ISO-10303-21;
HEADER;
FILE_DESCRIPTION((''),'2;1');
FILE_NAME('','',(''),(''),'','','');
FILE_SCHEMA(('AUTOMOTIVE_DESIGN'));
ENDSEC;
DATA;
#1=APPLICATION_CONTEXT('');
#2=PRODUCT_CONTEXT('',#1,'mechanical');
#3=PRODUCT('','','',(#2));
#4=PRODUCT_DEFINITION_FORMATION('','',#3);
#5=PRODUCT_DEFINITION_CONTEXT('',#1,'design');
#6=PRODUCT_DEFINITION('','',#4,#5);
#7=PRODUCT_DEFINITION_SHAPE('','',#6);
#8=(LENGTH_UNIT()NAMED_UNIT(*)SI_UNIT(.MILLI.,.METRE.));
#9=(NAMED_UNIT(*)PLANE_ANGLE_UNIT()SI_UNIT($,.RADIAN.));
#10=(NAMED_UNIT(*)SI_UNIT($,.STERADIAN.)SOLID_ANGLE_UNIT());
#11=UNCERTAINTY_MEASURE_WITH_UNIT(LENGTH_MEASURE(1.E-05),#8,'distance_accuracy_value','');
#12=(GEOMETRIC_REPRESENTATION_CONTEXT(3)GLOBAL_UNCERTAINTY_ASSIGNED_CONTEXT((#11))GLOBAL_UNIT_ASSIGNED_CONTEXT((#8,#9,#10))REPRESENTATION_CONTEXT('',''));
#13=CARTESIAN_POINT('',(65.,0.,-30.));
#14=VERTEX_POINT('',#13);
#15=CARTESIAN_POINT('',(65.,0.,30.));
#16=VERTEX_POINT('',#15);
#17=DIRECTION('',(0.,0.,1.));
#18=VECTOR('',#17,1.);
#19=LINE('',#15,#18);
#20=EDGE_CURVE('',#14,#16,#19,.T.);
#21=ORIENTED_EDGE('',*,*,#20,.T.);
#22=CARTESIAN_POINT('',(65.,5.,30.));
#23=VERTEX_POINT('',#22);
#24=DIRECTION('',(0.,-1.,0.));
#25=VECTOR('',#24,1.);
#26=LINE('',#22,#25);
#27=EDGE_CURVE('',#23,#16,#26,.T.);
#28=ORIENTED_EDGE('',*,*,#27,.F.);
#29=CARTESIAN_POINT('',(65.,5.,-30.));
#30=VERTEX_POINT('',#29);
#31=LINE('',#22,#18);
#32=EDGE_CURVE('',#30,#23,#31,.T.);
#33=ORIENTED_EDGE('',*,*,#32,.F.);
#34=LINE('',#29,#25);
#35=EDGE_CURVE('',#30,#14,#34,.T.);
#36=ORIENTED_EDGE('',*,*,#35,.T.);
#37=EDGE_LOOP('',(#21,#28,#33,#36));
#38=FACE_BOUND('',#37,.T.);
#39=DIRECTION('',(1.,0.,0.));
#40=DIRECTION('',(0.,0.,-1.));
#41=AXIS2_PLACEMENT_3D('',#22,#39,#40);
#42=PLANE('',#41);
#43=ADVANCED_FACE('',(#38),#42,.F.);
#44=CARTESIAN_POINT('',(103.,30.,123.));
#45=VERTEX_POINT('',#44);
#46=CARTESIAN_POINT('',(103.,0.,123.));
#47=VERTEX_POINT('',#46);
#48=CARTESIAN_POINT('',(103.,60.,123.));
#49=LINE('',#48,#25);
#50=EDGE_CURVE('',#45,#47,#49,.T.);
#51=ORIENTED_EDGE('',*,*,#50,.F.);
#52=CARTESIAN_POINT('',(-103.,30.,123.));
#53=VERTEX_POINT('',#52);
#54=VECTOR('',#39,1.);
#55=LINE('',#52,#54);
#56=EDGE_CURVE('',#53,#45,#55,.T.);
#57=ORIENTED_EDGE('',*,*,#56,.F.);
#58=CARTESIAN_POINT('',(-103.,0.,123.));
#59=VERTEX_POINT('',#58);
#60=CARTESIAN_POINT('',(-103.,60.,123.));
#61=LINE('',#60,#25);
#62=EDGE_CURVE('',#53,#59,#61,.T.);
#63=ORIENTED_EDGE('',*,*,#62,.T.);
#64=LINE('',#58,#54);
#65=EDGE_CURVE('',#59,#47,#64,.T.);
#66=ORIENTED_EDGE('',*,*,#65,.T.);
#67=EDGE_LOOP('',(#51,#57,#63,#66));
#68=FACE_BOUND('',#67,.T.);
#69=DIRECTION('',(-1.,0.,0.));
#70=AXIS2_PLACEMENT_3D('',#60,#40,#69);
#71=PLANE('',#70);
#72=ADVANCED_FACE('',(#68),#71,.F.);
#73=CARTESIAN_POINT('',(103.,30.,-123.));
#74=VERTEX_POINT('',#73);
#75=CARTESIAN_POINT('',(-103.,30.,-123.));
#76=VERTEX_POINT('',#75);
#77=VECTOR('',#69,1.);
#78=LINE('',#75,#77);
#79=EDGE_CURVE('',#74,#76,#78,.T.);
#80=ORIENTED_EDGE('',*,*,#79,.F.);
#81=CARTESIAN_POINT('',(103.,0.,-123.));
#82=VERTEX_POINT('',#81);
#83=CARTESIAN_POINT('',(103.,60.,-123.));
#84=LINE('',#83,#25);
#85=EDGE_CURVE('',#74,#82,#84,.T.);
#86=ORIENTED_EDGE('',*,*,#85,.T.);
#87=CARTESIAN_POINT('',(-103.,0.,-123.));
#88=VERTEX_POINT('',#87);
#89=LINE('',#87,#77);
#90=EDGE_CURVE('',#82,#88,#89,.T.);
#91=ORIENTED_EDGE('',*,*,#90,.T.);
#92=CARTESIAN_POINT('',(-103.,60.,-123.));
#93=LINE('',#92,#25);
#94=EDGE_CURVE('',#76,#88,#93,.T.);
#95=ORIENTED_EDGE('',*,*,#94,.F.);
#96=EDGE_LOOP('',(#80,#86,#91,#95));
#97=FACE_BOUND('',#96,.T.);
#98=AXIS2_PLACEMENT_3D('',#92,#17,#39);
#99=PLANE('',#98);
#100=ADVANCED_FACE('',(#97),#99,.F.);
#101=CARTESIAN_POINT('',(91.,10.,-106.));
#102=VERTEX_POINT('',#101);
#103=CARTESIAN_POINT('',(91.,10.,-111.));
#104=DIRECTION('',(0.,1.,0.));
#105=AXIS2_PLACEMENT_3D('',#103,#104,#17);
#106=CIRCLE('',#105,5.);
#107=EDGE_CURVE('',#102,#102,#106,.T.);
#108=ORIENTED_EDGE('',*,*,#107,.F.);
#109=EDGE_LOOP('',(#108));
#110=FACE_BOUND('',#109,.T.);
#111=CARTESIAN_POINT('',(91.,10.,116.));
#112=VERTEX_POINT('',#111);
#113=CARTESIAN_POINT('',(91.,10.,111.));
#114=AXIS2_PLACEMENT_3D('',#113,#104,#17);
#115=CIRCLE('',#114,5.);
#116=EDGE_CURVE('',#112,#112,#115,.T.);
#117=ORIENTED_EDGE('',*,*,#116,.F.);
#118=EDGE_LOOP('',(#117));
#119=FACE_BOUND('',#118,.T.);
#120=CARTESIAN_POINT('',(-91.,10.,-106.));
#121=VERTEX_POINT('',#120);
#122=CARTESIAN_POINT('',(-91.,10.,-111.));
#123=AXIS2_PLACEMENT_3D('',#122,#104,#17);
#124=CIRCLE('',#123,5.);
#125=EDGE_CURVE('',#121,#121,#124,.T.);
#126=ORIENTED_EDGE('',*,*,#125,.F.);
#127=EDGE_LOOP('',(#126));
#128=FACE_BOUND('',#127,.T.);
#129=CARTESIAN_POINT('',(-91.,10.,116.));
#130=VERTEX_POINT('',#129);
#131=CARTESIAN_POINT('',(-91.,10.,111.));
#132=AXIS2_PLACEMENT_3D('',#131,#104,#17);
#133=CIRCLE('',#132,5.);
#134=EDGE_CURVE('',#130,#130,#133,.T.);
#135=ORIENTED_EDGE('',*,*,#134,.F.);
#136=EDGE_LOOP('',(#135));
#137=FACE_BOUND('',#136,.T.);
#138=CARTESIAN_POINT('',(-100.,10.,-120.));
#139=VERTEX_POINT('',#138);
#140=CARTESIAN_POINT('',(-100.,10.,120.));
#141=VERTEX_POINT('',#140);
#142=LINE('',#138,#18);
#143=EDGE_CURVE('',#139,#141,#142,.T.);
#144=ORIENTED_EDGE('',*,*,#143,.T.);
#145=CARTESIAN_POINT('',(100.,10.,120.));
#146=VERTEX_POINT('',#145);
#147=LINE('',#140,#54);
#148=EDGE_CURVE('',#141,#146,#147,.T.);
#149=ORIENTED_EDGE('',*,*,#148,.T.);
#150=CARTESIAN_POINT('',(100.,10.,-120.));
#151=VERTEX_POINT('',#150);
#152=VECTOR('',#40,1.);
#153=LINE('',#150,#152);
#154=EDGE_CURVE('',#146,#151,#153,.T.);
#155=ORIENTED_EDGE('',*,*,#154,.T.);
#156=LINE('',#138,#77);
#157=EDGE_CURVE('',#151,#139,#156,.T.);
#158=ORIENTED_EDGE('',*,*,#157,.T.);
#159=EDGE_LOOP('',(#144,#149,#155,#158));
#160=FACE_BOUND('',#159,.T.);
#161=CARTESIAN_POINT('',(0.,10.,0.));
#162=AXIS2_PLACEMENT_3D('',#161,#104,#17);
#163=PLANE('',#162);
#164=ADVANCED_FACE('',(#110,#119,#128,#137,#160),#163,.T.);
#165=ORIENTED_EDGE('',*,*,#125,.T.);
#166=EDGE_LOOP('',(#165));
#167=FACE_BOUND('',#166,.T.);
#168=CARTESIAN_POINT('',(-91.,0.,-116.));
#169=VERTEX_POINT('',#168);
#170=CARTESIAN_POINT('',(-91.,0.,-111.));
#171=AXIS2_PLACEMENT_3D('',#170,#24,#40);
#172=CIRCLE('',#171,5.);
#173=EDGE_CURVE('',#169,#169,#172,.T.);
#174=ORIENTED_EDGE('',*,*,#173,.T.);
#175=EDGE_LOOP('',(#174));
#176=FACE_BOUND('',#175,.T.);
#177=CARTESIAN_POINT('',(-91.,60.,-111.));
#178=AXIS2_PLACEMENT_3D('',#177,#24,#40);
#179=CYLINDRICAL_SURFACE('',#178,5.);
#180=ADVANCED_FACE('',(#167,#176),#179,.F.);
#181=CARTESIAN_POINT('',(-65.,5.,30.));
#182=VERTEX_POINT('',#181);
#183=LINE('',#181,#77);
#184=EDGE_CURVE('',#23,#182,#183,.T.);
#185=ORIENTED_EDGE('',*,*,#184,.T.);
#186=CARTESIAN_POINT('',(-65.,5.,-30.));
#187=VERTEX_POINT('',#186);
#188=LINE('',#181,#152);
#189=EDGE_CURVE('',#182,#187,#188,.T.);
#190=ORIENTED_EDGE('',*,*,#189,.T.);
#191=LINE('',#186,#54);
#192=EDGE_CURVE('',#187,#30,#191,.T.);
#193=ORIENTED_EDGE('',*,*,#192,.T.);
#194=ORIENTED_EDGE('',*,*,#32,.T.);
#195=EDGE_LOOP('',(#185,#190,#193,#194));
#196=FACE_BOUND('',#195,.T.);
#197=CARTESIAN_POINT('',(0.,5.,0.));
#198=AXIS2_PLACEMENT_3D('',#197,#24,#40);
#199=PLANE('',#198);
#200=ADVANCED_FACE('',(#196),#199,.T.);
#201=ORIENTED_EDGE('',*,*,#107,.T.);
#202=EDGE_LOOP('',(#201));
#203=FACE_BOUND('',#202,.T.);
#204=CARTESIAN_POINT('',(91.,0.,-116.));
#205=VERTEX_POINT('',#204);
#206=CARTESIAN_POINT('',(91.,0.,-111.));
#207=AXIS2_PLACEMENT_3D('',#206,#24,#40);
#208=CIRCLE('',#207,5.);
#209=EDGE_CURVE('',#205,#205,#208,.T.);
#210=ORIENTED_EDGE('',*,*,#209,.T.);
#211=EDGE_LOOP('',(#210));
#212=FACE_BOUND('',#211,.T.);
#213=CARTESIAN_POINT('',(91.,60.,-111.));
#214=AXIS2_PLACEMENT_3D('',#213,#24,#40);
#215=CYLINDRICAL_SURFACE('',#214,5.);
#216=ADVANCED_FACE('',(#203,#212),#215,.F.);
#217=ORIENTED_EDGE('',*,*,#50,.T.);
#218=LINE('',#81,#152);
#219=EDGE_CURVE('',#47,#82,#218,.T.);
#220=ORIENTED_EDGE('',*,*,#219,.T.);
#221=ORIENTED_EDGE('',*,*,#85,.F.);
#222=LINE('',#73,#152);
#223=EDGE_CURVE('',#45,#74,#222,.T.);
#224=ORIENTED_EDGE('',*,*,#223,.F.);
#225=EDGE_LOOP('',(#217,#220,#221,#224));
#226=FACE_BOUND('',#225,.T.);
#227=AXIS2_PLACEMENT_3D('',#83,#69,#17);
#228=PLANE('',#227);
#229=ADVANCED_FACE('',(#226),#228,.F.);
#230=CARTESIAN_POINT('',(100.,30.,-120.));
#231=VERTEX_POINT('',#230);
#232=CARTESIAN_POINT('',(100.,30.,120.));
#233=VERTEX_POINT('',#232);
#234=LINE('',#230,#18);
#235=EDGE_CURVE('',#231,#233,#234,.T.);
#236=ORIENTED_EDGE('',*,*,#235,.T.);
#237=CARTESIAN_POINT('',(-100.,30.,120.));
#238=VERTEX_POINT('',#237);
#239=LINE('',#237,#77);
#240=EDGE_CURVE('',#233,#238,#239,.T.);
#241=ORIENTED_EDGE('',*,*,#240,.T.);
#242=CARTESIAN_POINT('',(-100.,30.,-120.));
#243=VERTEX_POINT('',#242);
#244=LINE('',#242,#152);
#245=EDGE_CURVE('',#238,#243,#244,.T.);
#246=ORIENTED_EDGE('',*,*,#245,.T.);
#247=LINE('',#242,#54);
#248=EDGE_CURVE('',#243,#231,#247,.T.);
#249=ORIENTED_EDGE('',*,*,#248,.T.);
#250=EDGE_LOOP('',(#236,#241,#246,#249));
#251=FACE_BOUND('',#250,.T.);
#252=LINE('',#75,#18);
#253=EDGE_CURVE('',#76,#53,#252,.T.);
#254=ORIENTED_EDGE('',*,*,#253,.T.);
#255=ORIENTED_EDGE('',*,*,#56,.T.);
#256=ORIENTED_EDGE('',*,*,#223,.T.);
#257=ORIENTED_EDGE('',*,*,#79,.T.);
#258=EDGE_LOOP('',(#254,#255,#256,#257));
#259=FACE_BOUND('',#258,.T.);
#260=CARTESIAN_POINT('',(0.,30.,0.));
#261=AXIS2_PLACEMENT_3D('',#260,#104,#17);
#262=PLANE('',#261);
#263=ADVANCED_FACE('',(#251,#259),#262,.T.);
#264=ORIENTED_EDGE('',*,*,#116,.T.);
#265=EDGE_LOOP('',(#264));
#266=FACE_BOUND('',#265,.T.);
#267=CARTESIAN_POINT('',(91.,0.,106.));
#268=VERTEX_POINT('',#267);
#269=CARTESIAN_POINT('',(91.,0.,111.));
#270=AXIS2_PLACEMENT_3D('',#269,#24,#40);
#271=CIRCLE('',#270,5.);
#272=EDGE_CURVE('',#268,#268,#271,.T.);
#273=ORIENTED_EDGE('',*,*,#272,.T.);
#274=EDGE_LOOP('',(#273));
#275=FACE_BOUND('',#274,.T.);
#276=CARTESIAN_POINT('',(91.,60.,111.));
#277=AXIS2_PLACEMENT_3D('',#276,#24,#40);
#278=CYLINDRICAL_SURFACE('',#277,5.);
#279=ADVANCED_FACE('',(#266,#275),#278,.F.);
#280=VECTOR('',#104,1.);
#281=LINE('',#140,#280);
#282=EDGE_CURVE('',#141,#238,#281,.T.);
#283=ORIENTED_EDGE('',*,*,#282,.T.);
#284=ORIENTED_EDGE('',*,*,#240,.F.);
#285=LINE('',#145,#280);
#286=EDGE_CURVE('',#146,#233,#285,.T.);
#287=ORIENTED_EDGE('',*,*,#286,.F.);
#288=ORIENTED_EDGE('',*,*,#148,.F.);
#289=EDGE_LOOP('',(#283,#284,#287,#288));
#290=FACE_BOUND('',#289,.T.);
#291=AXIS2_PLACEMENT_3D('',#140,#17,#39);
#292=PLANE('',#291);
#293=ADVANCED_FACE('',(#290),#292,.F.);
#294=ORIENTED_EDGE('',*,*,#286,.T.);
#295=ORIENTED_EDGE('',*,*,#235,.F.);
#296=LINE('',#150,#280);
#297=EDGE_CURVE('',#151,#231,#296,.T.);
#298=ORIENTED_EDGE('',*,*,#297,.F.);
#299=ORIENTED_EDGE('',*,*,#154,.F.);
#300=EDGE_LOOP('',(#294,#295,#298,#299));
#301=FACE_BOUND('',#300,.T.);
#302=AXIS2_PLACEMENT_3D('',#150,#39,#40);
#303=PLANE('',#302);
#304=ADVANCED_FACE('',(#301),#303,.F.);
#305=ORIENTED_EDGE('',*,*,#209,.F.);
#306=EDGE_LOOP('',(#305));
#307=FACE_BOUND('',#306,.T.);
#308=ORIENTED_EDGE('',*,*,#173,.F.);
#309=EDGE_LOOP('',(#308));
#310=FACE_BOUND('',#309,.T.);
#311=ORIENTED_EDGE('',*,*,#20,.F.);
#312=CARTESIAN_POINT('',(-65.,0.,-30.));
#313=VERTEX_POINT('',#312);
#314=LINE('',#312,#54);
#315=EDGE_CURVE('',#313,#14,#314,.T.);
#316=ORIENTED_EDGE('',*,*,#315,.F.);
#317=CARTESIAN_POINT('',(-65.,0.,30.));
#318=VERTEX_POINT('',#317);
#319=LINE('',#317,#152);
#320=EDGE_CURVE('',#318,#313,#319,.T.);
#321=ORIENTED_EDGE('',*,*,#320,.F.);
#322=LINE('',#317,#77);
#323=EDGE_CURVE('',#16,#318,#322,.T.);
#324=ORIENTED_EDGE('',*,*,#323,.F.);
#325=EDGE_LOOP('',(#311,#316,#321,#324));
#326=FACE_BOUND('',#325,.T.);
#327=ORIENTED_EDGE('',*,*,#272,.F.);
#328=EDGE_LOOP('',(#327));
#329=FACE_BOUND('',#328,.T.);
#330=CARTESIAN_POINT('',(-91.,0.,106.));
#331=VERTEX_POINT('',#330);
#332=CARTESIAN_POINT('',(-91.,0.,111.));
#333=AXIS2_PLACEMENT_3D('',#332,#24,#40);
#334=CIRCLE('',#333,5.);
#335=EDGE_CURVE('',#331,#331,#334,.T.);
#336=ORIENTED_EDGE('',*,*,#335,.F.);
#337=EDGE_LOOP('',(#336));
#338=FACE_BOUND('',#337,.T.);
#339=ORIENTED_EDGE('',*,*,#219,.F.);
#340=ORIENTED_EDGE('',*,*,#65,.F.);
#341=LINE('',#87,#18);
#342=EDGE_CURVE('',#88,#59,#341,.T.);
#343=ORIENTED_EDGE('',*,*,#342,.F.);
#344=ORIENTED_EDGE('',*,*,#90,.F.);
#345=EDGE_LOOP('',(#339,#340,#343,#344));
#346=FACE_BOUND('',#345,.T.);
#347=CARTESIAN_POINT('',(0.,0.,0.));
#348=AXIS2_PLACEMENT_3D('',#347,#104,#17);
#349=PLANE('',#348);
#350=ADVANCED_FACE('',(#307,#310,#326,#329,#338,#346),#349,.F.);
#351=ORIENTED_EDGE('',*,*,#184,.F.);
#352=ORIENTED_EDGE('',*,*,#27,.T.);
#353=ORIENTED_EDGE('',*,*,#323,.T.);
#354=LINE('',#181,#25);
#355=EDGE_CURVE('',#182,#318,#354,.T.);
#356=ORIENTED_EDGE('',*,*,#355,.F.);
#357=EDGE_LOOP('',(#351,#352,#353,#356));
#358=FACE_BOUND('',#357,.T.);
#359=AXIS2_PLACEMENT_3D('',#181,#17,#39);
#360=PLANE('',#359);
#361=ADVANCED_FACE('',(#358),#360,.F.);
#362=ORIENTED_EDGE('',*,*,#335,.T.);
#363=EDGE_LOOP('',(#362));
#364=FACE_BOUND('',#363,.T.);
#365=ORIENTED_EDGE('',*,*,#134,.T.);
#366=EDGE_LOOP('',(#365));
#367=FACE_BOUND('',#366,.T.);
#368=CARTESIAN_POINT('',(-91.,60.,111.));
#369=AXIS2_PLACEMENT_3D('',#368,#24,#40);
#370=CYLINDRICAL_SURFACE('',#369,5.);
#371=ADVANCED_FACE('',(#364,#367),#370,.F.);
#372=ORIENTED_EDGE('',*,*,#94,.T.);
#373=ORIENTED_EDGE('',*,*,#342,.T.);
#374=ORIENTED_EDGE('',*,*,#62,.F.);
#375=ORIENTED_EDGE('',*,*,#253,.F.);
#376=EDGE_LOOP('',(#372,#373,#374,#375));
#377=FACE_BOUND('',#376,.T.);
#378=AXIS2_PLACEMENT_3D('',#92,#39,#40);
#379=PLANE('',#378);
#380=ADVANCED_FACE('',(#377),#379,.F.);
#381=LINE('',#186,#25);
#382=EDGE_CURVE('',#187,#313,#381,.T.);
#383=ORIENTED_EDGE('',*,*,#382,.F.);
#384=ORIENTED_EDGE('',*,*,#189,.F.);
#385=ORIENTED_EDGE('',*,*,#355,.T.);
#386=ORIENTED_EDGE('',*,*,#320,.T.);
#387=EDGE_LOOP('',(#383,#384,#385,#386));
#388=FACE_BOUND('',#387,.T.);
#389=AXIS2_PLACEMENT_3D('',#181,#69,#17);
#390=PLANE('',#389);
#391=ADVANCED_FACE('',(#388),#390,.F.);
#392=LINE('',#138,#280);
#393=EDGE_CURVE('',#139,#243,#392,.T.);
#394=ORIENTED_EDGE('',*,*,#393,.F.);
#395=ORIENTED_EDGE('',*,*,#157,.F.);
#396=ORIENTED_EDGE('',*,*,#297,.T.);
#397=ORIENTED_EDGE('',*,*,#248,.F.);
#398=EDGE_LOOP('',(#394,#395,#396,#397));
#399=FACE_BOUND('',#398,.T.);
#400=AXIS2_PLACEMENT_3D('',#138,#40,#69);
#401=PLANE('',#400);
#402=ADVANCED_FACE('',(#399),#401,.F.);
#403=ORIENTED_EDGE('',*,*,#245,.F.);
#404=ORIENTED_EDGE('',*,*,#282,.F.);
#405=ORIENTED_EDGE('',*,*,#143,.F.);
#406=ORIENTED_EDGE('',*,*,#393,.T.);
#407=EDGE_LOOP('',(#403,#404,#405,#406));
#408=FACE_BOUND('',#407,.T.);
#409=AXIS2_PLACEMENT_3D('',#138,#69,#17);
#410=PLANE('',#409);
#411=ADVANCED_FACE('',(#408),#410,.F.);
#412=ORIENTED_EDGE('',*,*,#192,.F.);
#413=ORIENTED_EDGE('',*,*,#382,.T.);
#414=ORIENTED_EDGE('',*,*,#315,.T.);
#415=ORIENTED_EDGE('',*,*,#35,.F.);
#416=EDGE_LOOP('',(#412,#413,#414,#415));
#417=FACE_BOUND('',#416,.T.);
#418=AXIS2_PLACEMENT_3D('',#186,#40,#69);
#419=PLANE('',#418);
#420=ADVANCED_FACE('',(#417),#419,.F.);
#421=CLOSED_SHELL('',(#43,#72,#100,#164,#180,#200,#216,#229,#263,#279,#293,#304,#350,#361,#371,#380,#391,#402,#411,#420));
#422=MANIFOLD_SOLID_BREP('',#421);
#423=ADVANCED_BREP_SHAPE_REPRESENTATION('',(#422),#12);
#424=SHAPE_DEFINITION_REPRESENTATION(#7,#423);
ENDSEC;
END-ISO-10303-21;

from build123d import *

# Parameters (mm, degrees)
SKETCH1_W           = 206
SKETCH1_H           = 246
BOSS_EXTRUDE1_DEPTH = 60
SKETCH2_W           = 200
SKETCH2_H           = 240
CUT_EXTRUDE1_DEPTH  = 50
CUT_EXTRUDE3_DEPTH  = 172.283390905
SKETCH5_W           = 206
SKETCH5_H           = 246
CUT_EXTRUDE4_DEPTH  = 30
SKETCH6_W           = 130
SKETCH6_H           = 60
CUT_EXTRUDE5_DEPTH  = 5


with BuildPart() as part:
    # Sketch1 → Boss-Extrude1 (new body)
    with BuildSketch(Plane(origin=(0, 0, 0), x_dir=(1, 0, 0), z_dir=(0, 1, 0))):
        Rectangle(SKETCH1_W, SKETCH1_H)
    extrude(amount=BOSS_EXTRUDE1_DEPTH)

    # Sketch2 → Cut-Extrude1 (cut)
    with BuildSketch(Plane(origin=(0, 60, 0), x_dir=(1, 0, 0), z_dir=(0, 1, 0))):
        Rectangle(SKETCH2_W, SKETCH2_H)
    extrude(amount=-CUT_EXTRUDE1_DEPTH, mode=Mode.SUBTRACT)

    # Sketch3 → Cut-Extrude3 (cut, through all)
    with BuildSketch(Plane.XZ):
        with BuildLine():
            Line((-91, 106), (-91, 111))
            Line((-91, 111), (-86, 111))
            ThreePointArc((-86, 111), (-94.535533906, 114.535533906), (-91, 106))
        make_face()
        with BuildLine():
            Line((-86, 111), (-91, 111))
            Line((-91, 111), (-91, 106))
            ThreePointArc((-91, 106), (-87.464466094, 107.464466094), (-86, 111))
        make_face()
        with BuildLine():
            ThreePointArc((96, 111), (91, 116), (86, 111))
            Line((86, 111), (91, 111))
            Line((91, 111), (91, 106))
            ThreePointArc((91, 106), (94.535533906, 107.464466094), (96, 111))
        make_face()
        with BuildLine():
            Line((91, 111), (86, 111))
            ThreePointArc((86, 111), (87.464466094, 107.464466094), (91, 106))
            Line((91, 106), (91, 111))
        make_face()
        with BuildLine():
            ThreePointArc((96, -111), (94.535533906, -107.464466094), (91, -106))
            Line((91, -106), (91, -111))
            Line((91, -111), (86, -111))
            ThreePointArc((86, -111), (91, -116), (96, -111))
        make_face()
        with BuildLine():
            Line((91, -111), (91, -106))
            ThreePointArc((91, -106), (87.464466094, -107.464466094), (86, -111))
            Line((86, -111), (91, -111))
        make_face()
        with BuildLine():
            ThreePointArc((-86, -111), (-87.464466094, -107.464466094), (-91, -106))
            Line((-91, -106), (-91, -111))
            Line((-91, -111), (-86, -111))
        make_face()
        with BuildLine():
            Line((-91, -111), (-91, -106))
            ThreePointArc((-91, -106), (-94.535533906, -114.535533906), (-86, -111))
            Line((-86, -111), (-91, -111))
        make_face()
    extrude(amount=-CUT_EXTRUDE3_DEPTH, mode=Mode.SUBTRACT)

    # Sketch5 → Cut-Extrude4 (cut)
    with BuildSketch(Plane(origin=(0, 60, 0), x_dir=(1, 0, 0), z_dir=(0, 1, 0))):
        Rectangle(SKETCH5_W, SKETCH5_H)
    extrude(amount=-CUT_EXTRUDE4_DEPTH, mode=Mode.SUBTRACT)

    # Sketch6 → Cut-Extrude5 (cut)
    with BuildSketch(Plane.XZ):
        Rectangle(SKETCH6_W, SKETCH6_H)
    extrude(amount=-CUT_EXTRUDE5_DEPTH, mode=Mode.SUBTRACT)


solid = part.part
